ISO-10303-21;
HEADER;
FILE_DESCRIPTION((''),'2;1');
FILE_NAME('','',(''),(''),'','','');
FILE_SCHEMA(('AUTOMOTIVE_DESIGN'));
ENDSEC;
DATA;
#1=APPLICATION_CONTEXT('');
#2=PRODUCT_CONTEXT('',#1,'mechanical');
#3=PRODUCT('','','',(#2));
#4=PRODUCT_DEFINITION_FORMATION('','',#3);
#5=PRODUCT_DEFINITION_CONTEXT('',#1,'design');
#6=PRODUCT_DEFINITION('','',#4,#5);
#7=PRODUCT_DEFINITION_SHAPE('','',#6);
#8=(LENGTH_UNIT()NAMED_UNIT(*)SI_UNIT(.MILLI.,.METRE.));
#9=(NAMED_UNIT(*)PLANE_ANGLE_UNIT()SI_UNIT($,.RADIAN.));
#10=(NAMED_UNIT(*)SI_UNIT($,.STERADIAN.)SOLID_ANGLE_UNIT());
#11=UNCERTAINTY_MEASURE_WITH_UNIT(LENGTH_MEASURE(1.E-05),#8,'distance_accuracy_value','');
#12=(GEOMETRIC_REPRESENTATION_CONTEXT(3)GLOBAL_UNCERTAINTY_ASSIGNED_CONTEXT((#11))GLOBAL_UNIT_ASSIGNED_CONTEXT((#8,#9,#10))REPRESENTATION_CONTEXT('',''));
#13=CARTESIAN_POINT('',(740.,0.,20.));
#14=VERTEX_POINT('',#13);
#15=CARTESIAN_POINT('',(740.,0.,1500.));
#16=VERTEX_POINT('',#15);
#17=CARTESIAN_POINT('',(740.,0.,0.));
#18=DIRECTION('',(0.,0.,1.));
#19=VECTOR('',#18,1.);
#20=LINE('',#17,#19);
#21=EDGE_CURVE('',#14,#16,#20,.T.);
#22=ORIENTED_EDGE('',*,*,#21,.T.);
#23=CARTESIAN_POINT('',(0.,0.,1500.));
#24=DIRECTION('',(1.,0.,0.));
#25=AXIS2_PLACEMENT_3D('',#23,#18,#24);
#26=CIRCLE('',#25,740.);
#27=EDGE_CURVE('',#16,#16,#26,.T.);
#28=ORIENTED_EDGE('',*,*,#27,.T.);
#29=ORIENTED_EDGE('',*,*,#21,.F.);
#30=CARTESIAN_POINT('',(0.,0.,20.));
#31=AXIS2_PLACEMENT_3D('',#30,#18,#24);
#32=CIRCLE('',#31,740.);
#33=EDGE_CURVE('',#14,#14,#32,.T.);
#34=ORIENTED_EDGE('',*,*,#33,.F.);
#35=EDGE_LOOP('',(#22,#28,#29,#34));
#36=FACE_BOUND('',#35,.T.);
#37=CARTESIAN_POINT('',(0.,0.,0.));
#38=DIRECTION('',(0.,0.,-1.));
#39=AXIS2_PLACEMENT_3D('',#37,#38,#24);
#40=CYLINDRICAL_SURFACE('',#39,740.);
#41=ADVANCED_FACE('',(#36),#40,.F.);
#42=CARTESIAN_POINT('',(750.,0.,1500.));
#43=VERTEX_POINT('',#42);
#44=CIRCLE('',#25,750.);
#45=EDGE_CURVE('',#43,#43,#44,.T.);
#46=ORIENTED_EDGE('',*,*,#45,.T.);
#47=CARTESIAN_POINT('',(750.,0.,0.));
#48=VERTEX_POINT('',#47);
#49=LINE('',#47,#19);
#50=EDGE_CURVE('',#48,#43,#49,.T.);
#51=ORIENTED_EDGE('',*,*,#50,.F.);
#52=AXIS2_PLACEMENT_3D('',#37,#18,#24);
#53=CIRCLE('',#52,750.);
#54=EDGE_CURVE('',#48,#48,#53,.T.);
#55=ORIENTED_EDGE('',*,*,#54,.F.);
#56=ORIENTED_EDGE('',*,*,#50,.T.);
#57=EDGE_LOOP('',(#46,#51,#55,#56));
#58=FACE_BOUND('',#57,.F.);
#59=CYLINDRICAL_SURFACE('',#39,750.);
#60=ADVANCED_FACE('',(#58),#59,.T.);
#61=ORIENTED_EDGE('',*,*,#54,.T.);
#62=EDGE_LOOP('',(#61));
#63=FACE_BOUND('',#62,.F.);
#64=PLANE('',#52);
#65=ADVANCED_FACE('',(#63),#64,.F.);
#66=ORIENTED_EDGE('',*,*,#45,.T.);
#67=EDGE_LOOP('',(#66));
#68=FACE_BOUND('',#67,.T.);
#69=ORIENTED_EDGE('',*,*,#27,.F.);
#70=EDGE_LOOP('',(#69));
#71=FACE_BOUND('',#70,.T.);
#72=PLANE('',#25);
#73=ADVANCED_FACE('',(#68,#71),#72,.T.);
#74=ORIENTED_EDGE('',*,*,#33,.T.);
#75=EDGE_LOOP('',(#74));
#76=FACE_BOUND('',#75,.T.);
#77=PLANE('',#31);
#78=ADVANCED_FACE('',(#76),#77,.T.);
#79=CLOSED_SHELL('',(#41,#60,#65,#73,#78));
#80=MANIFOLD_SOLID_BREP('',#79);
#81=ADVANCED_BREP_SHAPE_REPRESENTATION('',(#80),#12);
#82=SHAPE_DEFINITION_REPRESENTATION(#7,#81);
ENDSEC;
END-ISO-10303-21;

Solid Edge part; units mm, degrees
sketch "Sketch1" plane through (0, 0, 0) normal (0, 0, 1) x (1, 0, 0)
  circle A0 centre (0, 0) radius 750
  circle A1 centre (0, 0) radius 740
extrude "ExtrudedProtrusion_4" add sketch "Sketch1" along normal blind 1500
sketch "Sketch2" plane through (0, 0, 0) normal (0, 0, 1) x (1, 0, 0)
  circle A0 centre (0, 0) radius 740
extrude "ExtrudedProtrusion_5" add sketch "Sketch2" along normal blind 20
properties material "Glass, general industrial"
